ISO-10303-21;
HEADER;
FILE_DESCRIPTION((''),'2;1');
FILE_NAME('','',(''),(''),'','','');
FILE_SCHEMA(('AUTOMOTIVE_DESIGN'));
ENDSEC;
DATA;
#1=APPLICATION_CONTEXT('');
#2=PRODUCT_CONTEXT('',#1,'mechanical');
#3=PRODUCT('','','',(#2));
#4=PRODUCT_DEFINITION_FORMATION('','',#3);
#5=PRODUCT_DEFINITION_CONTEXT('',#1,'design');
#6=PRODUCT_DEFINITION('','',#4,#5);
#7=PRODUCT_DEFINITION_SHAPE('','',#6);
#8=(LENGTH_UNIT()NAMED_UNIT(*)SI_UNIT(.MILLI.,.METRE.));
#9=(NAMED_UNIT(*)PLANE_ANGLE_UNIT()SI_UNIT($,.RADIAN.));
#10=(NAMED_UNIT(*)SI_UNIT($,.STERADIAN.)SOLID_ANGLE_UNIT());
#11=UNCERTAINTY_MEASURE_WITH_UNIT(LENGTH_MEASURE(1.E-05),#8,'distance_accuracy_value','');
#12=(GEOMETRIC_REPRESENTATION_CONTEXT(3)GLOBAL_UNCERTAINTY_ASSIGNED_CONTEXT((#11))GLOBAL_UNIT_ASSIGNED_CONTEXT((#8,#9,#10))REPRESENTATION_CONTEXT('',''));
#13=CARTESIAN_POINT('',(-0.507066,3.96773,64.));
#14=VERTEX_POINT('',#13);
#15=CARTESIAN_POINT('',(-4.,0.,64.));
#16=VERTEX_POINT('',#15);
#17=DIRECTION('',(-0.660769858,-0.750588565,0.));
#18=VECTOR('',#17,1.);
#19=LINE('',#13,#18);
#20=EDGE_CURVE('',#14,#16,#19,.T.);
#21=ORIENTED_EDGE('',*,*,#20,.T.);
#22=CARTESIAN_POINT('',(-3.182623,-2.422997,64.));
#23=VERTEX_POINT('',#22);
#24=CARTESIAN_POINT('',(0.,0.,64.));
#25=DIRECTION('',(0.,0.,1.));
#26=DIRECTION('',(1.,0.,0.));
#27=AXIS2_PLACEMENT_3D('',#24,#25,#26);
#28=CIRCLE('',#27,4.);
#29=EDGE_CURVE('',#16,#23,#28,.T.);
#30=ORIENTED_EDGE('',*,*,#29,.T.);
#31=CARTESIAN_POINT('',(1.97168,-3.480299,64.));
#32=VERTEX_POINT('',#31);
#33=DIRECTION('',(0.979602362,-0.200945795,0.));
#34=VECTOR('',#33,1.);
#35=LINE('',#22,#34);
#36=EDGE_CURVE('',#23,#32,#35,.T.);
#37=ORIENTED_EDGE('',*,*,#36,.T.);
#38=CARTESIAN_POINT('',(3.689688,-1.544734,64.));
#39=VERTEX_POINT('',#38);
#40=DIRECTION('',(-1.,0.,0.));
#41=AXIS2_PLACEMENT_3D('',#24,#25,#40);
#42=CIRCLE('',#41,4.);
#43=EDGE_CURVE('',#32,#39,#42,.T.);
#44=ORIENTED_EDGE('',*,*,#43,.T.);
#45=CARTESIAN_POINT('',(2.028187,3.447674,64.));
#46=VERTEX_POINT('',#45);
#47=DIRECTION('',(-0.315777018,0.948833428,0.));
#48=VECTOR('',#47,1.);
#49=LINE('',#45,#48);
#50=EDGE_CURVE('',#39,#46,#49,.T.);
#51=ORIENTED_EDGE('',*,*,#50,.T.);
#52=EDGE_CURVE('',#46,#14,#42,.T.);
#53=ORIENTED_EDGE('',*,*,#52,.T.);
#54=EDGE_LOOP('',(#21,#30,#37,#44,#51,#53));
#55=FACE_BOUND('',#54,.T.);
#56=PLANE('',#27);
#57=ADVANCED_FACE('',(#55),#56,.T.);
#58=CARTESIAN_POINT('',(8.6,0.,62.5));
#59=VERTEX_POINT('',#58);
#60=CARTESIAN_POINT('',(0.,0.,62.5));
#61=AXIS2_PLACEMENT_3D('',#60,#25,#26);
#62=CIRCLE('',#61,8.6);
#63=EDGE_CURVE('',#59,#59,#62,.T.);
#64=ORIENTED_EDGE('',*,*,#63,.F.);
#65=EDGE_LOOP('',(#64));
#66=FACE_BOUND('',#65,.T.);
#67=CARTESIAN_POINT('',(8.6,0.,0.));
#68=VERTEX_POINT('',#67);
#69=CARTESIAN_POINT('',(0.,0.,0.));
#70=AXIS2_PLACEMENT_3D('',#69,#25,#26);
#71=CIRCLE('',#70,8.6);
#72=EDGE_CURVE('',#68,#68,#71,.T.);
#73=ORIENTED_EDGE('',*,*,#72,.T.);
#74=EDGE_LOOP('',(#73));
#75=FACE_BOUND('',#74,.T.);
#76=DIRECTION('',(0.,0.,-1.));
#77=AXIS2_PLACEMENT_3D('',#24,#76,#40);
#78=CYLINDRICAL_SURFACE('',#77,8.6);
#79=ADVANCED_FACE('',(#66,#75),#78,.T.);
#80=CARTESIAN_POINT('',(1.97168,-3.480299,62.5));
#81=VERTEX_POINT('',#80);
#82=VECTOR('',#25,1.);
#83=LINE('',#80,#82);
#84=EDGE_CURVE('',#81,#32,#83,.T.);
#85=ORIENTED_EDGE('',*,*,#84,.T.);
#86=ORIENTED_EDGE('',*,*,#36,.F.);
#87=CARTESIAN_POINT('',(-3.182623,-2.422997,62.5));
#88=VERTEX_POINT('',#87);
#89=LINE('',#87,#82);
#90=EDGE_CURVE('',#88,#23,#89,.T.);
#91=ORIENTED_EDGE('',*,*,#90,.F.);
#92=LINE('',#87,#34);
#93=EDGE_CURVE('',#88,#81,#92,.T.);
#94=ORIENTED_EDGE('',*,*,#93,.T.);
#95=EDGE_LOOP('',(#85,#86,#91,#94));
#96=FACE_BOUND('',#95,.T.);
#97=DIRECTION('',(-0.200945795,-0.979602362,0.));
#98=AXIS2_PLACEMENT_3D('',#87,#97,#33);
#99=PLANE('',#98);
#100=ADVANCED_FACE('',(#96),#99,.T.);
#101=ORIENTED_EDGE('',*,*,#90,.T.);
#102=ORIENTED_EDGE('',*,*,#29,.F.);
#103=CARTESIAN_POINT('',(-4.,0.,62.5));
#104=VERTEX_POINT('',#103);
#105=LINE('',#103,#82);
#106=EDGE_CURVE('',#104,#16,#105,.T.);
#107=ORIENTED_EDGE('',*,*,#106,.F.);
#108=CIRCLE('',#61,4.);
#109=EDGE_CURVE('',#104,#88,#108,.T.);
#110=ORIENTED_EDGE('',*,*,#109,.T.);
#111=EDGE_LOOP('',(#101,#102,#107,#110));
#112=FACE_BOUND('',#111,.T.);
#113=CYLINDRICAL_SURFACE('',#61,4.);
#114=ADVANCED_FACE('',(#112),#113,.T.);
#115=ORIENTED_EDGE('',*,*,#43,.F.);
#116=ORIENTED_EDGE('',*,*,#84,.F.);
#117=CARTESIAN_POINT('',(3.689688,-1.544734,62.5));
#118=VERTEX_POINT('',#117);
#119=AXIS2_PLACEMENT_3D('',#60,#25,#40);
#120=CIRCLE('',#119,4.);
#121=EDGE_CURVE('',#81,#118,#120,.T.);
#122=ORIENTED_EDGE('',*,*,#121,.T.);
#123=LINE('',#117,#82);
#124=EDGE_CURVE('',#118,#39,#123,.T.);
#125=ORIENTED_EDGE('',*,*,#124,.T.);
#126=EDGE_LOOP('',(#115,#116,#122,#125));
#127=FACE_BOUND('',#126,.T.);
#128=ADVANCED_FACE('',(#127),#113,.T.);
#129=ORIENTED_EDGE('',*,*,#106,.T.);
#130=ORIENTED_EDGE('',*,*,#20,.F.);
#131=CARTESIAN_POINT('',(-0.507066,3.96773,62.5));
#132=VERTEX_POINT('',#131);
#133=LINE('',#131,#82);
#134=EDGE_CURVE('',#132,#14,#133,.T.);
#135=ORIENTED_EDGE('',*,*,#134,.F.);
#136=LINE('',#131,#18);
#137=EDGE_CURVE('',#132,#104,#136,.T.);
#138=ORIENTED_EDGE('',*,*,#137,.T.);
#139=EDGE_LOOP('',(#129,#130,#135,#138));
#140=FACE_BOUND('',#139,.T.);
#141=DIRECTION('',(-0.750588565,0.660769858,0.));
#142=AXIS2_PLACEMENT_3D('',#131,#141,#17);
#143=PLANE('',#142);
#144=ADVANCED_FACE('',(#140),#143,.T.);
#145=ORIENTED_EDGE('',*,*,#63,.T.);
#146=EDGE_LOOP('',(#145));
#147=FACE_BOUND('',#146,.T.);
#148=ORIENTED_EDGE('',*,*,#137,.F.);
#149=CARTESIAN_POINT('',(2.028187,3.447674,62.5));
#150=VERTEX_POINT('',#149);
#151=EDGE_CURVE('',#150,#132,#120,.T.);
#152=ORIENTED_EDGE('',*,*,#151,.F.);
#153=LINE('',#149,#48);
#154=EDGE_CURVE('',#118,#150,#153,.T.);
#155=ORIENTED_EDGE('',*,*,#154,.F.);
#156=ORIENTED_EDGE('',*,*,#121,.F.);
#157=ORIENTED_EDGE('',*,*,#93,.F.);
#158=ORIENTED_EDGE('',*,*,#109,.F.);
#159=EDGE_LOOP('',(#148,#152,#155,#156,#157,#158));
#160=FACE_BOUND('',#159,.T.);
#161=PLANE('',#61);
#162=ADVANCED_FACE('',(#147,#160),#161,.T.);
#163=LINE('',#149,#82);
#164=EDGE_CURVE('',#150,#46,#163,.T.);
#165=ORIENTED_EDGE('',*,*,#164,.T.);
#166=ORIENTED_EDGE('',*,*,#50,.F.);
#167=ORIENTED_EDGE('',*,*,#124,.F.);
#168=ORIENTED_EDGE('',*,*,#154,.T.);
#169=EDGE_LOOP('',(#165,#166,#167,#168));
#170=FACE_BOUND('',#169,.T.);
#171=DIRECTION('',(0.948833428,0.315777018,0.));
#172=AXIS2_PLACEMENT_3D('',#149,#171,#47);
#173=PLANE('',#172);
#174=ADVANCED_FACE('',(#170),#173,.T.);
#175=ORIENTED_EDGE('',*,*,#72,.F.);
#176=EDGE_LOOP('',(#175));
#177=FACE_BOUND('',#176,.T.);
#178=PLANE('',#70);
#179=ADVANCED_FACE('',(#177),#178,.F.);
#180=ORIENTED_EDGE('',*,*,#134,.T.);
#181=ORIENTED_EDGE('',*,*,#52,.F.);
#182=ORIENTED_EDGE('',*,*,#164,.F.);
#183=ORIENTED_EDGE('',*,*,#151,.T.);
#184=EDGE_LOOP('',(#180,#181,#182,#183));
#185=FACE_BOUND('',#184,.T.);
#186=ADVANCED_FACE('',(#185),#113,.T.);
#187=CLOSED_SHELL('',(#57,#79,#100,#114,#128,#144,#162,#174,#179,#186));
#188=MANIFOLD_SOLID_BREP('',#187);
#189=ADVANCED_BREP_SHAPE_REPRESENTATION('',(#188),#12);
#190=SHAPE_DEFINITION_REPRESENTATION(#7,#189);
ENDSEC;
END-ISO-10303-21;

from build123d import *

# Parameters (mm, degrees)
SKETCH_1_R          = 8.6
EXTRUDE_1_DEPTH     = 64
SKETCH_2_OUTSIDE_W  = 32.894
SKETCH_2_OUTSIDE_H  = 32.894
CUT_EXTRUDE_1_DEPTH = 1.5


with BuildPart() as part:
    # Эскиз1 → Бобышка-Вытянуть1 (new body)
    with BuildSketch(Plane.XY):
        Circle(SKETCH_1_R)
    extrude(amount=EXTRUDE_1_DEPTH)

    # Эскиз2 outside → Вырез-Вытянуть1 (cut)
    with BuildSketch(Plane.XY.offset(64)):
        Rectangle(SKETCH_2_OUTSIDE_W, SKETCH_2_OUTSIDE_H)
        with BuildLine():
            Line((2.028187196, 3.4476741), (3.689688099, -1.544733546))
            ThreePointArc((3.689688099, -1.544733546), (2.991550535, -2.655301376), (1.971679756, -3.480298685))
            Line((1.971679756, -3.480298685), (-3.182622543, -2.422996853))
            ThreePointArc((-3.182622543, -2.422996853), (-3.790151064, -1.278575346), (-4, 0))
            Line((-4, 0), (-0.507065556, 3.967730399))
            ThreePointArc((-0.507065556, 3.967730399), (0.803783179, 3.918409448), (2.028187196, 3.4476741))
        make_face(mode=Mode.SUBTRACT)
    extrude(amount=-CUT_EXTRUDE_1_DEPTH, mode=Mode.SUBTRACT)


solid = part.part
